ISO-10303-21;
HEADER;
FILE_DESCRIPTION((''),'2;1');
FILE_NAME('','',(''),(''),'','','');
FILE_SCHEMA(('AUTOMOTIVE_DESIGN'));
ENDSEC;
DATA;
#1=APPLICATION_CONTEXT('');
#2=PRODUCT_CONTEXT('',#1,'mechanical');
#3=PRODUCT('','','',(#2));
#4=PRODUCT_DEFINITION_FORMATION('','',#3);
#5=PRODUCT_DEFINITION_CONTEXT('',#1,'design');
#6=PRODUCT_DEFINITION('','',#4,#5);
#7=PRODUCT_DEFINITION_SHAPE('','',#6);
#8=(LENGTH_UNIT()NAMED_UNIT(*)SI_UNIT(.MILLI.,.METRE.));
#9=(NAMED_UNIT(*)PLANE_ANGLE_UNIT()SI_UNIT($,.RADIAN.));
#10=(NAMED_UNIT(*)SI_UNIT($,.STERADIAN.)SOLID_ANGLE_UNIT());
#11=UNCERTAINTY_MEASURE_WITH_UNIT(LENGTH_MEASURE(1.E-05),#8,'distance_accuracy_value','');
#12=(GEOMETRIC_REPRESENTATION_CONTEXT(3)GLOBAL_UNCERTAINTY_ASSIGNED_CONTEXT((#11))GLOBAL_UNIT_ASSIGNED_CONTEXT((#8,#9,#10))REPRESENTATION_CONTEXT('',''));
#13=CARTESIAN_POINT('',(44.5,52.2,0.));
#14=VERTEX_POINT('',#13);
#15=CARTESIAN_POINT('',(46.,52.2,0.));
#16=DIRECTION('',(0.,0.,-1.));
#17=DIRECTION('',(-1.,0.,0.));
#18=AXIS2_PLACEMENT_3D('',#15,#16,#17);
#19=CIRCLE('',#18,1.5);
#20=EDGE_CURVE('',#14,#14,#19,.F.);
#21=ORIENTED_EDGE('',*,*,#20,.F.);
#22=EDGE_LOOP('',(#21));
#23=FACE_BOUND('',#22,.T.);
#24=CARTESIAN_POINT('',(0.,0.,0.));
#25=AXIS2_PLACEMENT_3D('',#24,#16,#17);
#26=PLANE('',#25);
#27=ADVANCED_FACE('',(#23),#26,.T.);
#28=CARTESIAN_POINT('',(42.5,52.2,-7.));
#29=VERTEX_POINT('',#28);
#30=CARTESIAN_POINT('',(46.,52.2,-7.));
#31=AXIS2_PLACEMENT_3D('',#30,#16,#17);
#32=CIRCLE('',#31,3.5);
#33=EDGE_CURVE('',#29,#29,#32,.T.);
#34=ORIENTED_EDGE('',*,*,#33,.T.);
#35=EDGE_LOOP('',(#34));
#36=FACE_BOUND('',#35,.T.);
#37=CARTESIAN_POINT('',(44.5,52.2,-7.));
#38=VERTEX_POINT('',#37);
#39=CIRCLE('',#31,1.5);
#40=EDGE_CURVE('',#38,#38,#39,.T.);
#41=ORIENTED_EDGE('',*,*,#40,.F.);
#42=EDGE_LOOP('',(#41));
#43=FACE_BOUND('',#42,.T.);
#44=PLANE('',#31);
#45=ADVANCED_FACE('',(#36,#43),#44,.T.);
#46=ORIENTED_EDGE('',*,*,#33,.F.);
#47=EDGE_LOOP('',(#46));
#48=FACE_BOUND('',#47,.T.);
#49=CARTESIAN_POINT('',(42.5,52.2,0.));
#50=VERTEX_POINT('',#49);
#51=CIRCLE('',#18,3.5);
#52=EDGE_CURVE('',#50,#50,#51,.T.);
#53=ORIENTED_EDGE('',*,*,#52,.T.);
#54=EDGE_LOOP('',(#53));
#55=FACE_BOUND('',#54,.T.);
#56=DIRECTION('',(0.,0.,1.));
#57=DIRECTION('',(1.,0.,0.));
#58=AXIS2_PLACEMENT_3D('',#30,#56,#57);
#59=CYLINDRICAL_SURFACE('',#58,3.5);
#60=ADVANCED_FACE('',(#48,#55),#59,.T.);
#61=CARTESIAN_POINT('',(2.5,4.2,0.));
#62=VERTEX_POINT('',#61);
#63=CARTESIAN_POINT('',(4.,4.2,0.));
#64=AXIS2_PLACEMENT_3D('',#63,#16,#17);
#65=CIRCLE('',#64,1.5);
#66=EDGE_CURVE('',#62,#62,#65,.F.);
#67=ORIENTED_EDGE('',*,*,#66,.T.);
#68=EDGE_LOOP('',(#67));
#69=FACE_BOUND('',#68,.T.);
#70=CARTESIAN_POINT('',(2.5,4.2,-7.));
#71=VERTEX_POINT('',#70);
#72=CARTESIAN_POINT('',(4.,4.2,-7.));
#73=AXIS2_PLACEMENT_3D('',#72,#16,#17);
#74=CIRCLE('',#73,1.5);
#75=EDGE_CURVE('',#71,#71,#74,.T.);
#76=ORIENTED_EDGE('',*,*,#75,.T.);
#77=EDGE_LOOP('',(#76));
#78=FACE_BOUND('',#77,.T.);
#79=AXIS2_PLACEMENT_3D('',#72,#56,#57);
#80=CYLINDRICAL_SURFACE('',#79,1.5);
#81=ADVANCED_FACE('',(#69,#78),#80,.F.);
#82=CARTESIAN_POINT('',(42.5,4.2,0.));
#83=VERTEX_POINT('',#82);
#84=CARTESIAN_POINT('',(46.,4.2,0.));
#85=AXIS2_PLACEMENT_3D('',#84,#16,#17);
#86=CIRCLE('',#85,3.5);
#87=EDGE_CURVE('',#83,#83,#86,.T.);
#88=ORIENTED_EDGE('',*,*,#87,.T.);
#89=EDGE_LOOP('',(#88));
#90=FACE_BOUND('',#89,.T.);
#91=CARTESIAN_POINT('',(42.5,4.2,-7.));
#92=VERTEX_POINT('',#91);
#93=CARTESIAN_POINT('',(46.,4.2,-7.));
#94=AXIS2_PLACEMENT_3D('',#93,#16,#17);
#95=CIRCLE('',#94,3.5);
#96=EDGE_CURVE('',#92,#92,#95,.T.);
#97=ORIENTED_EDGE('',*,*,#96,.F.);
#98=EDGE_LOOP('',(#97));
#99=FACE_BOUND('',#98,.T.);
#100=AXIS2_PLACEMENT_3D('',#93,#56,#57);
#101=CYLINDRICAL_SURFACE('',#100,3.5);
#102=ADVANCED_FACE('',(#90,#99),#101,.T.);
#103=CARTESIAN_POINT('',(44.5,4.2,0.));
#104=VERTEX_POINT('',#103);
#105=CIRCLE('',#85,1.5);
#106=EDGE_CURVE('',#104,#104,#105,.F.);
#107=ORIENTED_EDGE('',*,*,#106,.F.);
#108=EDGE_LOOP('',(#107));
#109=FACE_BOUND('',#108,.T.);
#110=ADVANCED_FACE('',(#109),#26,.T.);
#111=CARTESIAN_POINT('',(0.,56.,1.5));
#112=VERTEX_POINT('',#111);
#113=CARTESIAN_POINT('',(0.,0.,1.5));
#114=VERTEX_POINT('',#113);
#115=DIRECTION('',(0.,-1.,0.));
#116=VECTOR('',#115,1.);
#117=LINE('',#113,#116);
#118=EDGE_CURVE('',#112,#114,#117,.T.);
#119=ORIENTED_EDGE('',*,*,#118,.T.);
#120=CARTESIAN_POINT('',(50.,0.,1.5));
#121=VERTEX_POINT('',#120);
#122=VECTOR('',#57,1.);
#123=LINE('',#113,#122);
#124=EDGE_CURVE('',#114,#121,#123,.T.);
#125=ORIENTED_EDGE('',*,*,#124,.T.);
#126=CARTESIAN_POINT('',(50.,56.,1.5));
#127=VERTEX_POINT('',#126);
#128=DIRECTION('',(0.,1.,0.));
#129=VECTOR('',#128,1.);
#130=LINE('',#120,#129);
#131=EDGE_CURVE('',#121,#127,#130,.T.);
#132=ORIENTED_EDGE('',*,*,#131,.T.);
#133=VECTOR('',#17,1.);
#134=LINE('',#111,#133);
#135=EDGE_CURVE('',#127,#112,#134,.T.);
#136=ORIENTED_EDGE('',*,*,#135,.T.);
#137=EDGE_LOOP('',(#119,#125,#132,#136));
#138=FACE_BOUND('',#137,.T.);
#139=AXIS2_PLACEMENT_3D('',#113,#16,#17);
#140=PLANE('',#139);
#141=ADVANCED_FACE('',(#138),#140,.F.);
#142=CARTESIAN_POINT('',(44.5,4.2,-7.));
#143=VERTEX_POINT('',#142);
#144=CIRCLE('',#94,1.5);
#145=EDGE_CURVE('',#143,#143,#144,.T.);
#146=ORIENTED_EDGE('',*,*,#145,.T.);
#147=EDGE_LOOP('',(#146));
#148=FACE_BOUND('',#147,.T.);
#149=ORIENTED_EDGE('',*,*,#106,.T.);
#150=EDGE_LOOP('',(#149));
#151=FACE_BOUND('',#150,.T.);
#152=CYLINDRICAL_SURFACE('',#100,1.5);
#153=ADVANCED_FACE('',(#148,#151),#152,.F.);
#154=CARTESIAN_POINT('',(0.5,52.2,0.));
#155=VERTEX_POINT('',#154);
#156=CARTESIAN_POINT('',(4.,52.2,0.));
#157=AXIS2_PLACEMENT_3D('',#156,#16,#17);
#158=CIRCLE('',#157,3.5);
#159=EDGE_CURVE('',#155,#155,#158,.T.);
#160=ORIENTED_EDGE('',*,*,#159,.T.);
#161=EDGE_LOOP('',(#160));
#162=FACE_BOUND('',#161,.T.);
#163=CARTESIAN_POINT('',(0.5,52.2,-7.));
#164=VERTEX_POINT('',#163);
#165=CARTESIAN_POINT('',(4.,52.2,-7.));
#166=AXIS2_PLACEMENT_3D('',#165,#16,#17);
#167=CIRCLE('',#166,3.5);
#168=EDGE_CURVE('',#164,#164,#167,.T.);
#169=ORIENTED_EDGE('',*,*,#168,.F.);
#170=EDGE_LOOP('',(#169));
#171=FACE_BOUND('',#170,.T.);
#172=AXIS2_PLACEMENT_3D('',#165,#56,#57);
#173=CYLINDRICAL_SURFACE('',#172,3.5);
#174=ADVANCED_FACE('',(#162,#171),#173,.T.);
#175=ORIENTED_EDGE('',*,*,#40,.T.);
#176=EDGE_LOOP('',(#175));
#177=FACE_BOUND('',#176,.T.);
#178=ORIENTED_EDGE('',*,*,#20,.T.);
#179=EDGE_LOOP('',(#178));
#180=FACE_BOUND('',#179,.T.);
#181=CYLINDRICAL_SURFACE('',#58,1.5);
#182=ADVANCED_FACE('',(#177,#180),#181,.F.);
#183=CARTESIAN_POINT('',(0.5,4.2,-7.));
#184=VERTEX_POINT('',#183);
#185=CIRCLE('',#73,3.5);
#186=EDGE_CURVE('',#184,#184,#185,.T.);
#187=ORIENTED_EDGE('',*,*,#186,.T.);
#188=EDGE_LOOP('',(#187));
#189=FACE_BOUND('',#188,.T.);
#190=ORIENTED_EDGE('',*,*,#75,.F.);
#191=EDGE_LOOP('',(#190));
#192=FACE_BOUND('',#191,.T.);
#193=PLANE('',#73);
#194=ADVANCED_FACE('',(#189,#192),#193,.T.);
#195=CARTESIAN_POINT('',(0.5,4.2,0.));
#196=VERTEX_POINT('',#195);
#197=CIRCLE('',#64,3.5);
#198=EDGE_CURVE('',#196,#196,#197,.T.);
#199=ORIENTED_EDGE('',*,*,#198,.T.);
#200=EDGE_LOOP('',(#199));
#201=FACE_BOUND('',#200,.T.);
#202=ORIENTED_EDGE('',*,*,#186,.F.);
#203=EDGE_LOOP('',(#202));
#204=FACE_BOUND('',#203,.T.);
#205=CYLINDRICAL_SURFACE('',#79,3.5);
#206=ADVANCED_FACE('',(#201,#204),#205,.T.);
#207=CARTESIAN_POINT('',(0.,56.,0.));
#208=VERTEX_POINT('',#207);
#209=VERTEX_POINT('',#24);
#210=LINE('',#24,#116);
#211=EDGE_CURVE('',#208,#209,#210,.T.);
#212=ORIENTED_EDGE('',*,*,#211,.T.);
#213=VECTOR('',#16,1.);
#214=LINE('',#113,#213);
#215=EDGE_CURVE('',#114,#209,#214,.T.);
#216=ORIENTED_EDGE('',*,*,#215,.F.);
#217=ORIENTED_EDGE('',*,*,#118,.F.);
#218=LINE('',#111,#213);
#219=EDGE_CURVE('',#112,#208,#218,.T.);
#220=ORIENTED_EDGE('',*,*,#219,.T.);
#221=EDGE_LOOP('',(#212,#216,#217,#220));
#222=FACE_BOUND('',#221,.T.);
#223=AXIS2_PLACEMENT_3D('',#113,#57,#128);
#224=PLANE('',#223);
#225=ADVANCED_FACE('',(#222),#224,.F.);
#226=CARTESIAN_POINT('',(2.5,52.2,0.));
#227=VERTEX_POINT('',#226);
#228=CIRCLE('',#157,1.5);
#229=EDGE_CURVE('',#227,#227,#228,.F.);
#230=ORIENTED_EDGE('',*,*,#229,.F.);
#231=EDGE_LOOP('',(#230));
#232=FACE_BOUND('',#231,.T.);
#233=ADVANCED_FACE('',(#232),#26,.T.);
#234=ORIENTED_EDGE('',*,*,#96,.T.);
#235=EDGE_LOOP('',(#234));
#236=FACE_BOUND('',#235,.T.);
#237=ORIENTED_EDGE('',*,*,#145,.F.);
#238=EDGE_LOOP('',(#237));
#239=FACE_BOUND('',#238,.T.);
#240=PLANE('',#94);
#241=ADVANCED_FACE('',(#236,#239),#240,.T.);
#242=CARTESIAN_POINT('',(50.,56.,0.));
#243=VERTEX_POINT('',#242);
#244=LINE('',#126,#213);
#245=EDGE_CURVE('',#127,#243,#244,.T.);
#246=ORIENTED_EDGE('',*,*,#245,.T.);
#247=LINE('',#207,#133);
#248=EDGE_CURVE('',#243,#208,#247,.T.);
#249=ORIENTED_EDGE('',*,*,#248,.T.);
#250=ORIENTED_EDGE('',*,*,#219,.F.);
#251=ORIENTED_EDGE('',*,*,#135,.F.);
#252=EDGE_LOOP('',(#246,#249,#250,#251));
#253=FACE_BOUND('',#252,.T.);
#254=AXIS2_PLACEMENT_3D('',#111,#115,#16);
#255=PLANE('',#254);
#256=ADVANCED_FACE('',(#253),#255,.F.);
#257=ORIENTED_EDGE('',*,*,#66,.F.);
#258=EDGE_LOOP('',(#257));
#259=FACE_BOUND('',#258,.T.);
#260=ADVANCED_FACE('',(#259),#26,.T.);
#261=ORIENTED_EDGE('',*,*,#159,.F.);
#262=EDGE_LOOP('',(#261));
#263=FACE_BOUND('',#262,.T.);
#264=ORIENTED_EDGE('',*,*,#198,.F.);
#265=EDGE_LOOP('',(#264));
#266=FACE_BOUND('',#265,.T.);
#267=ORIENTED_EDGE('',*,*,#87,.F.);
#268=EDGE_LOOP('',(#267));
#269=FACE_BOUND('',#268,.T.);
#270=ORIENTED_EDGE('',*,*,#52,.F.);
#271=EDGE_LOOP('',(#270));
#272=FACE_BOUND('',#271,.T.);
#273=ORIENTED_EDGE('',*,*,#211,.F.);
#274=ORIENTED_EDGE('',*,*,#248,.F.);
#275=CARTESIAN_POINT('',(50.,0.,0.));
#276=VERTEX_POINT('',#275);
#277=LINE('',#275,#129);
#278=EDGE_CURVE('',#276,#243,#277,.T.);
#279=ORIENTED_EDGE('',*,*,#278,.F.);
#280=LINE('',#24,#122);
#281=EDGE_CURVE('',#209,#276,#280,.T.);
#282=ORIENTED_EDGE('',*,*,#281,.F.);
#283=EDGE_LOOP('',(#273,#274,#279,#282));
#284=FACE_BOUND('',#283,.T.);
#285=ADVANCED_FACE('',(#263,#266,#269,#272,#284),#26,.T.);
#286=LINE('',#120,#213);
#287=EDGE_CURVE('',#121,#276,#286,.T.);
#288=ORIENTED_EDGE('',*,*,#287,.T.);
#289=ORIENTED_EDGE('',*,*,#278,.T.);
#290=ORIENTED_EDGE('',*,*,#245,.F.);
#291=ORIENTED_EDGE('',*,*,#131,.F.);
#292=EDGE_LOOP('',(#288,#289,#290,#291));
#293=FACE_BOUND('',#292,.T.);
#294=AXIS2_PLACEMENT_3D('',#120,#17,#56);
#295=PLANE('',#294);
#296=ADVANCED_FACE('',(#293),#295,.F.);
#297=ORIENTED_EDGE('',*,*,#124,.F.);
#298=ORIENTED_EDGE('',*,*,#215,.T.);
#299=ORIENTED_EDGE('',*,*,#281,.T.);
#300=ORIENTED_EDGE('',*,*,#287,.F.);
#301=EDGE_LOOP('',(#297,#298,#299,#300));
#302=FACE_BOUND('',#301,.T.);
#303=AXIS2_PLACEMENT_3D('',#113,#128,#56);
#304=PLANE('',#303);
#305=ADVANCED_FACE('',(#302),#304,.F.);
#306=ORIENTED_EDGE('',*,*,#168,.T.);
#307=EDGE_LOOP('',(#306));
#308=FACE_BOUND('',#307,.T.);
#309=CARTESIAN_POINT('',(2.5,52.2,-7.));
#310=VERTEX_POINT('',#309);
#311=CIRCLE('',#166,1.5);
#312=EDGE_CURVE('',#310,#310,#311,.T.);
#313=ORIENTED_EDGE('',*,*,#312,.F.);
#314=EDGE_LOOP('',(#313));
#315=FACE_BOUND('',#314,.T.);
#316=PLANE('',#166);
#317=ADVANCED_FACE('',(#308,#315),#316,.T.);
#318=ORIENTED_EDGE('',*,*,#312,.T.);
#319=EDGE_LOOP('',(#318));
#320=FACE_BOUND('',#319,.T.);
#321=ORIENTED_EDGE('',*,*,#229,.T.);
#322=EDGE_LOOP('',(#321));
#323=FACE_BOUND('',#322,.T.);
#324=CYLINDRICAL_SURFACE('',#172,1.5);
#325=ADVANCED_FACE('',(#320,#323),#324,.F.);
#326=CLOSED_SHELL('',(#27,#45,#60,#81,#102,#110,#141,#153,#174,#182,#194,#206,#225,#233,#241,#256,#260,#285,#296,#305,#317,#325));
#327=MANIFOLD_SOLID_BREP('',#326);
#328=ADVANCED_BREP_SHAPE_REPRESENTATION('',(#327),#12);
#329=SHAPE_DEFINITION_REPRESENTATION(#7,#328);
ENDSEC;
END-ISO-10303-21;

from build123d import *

# Parameters (mm, degrees)
SKETCH_1_W      = 50
SKETCH_1_H      = 56
EXTRUDE_1_DEPTH = 1.5
SKETCH_2_R      = 3.5
SKETCH_2_R_2    = 1.5
EXTRUDE_2_DEPTH = 7


with BuildPart() as part:
    # Эскиз1 → Бобышка-Вытянуть1 (new body)
    with BuildSketch(Plane.XY):
        with Locations((25, 28)):
            Rectangle(SKETCH_1_W, SKETCH_1_H)
    extrude(amount=EXTRUDE_1_DEPTH)

    # Эскиз2 → Бобышка-Вытянуть2 (add)
    # profile 1 of 4: a face of its own
    with BuildSketch(Plane(origin=(0, 0, 0), x_dir=(-1, 0, 0), z_dir=(0, 0, -1))):
        with Locations((-46, 52.2)):
            Circle(SKETCH_2_R)
        with Locations((-46, 52.2)):
            Circle(SKETCH_2_R_2, mode=Mode.SUBTRACT)
    # profile 2 of 4: a face of its own
    with BuildSketch(Plane(origin=(0, 0, 0), x_dir=(-1, 0, 0), z_dir=(0, 0, -1))):
        with Locations((-4, 52.2)):
            Circle(SKETCH_2_R)
        with Locations((-4, 52.2)):
            Circle(SKETCH_2_R_2, mode=Mode.SUBTRACT)
    # profile 3 of 4: a face of its own
    with BuildSketch(Plane(origin=(0, 0, 0), x_dir=(-1, 0, 0), z_dir=(0, 0, -1))):
        with Locations((-46, 4.2)):
            Circle(SKETCH_2_R)
        with Locations((-46, 4.2)):
            Circle(SKETCH_2_R_2, mode=Mode.SUBTRACT)
    # profile 4 of 4: a face of its own
    with BuildSketch(Plane(origin=(0, 0, 0), x_dir=(-1, 0, 0), z_dir=(0, 0, -1))):
        with Locations((-4, 4.2)):
            Circle(SKETCH_2_R)
        with Locations((-4, 4.2)):
            Circle(SKETCH_2_R_2, mode=Mode.SUBTRACT)
    extrude(amount=EXTRUDE_2_DEPTH)


solid = part.part
